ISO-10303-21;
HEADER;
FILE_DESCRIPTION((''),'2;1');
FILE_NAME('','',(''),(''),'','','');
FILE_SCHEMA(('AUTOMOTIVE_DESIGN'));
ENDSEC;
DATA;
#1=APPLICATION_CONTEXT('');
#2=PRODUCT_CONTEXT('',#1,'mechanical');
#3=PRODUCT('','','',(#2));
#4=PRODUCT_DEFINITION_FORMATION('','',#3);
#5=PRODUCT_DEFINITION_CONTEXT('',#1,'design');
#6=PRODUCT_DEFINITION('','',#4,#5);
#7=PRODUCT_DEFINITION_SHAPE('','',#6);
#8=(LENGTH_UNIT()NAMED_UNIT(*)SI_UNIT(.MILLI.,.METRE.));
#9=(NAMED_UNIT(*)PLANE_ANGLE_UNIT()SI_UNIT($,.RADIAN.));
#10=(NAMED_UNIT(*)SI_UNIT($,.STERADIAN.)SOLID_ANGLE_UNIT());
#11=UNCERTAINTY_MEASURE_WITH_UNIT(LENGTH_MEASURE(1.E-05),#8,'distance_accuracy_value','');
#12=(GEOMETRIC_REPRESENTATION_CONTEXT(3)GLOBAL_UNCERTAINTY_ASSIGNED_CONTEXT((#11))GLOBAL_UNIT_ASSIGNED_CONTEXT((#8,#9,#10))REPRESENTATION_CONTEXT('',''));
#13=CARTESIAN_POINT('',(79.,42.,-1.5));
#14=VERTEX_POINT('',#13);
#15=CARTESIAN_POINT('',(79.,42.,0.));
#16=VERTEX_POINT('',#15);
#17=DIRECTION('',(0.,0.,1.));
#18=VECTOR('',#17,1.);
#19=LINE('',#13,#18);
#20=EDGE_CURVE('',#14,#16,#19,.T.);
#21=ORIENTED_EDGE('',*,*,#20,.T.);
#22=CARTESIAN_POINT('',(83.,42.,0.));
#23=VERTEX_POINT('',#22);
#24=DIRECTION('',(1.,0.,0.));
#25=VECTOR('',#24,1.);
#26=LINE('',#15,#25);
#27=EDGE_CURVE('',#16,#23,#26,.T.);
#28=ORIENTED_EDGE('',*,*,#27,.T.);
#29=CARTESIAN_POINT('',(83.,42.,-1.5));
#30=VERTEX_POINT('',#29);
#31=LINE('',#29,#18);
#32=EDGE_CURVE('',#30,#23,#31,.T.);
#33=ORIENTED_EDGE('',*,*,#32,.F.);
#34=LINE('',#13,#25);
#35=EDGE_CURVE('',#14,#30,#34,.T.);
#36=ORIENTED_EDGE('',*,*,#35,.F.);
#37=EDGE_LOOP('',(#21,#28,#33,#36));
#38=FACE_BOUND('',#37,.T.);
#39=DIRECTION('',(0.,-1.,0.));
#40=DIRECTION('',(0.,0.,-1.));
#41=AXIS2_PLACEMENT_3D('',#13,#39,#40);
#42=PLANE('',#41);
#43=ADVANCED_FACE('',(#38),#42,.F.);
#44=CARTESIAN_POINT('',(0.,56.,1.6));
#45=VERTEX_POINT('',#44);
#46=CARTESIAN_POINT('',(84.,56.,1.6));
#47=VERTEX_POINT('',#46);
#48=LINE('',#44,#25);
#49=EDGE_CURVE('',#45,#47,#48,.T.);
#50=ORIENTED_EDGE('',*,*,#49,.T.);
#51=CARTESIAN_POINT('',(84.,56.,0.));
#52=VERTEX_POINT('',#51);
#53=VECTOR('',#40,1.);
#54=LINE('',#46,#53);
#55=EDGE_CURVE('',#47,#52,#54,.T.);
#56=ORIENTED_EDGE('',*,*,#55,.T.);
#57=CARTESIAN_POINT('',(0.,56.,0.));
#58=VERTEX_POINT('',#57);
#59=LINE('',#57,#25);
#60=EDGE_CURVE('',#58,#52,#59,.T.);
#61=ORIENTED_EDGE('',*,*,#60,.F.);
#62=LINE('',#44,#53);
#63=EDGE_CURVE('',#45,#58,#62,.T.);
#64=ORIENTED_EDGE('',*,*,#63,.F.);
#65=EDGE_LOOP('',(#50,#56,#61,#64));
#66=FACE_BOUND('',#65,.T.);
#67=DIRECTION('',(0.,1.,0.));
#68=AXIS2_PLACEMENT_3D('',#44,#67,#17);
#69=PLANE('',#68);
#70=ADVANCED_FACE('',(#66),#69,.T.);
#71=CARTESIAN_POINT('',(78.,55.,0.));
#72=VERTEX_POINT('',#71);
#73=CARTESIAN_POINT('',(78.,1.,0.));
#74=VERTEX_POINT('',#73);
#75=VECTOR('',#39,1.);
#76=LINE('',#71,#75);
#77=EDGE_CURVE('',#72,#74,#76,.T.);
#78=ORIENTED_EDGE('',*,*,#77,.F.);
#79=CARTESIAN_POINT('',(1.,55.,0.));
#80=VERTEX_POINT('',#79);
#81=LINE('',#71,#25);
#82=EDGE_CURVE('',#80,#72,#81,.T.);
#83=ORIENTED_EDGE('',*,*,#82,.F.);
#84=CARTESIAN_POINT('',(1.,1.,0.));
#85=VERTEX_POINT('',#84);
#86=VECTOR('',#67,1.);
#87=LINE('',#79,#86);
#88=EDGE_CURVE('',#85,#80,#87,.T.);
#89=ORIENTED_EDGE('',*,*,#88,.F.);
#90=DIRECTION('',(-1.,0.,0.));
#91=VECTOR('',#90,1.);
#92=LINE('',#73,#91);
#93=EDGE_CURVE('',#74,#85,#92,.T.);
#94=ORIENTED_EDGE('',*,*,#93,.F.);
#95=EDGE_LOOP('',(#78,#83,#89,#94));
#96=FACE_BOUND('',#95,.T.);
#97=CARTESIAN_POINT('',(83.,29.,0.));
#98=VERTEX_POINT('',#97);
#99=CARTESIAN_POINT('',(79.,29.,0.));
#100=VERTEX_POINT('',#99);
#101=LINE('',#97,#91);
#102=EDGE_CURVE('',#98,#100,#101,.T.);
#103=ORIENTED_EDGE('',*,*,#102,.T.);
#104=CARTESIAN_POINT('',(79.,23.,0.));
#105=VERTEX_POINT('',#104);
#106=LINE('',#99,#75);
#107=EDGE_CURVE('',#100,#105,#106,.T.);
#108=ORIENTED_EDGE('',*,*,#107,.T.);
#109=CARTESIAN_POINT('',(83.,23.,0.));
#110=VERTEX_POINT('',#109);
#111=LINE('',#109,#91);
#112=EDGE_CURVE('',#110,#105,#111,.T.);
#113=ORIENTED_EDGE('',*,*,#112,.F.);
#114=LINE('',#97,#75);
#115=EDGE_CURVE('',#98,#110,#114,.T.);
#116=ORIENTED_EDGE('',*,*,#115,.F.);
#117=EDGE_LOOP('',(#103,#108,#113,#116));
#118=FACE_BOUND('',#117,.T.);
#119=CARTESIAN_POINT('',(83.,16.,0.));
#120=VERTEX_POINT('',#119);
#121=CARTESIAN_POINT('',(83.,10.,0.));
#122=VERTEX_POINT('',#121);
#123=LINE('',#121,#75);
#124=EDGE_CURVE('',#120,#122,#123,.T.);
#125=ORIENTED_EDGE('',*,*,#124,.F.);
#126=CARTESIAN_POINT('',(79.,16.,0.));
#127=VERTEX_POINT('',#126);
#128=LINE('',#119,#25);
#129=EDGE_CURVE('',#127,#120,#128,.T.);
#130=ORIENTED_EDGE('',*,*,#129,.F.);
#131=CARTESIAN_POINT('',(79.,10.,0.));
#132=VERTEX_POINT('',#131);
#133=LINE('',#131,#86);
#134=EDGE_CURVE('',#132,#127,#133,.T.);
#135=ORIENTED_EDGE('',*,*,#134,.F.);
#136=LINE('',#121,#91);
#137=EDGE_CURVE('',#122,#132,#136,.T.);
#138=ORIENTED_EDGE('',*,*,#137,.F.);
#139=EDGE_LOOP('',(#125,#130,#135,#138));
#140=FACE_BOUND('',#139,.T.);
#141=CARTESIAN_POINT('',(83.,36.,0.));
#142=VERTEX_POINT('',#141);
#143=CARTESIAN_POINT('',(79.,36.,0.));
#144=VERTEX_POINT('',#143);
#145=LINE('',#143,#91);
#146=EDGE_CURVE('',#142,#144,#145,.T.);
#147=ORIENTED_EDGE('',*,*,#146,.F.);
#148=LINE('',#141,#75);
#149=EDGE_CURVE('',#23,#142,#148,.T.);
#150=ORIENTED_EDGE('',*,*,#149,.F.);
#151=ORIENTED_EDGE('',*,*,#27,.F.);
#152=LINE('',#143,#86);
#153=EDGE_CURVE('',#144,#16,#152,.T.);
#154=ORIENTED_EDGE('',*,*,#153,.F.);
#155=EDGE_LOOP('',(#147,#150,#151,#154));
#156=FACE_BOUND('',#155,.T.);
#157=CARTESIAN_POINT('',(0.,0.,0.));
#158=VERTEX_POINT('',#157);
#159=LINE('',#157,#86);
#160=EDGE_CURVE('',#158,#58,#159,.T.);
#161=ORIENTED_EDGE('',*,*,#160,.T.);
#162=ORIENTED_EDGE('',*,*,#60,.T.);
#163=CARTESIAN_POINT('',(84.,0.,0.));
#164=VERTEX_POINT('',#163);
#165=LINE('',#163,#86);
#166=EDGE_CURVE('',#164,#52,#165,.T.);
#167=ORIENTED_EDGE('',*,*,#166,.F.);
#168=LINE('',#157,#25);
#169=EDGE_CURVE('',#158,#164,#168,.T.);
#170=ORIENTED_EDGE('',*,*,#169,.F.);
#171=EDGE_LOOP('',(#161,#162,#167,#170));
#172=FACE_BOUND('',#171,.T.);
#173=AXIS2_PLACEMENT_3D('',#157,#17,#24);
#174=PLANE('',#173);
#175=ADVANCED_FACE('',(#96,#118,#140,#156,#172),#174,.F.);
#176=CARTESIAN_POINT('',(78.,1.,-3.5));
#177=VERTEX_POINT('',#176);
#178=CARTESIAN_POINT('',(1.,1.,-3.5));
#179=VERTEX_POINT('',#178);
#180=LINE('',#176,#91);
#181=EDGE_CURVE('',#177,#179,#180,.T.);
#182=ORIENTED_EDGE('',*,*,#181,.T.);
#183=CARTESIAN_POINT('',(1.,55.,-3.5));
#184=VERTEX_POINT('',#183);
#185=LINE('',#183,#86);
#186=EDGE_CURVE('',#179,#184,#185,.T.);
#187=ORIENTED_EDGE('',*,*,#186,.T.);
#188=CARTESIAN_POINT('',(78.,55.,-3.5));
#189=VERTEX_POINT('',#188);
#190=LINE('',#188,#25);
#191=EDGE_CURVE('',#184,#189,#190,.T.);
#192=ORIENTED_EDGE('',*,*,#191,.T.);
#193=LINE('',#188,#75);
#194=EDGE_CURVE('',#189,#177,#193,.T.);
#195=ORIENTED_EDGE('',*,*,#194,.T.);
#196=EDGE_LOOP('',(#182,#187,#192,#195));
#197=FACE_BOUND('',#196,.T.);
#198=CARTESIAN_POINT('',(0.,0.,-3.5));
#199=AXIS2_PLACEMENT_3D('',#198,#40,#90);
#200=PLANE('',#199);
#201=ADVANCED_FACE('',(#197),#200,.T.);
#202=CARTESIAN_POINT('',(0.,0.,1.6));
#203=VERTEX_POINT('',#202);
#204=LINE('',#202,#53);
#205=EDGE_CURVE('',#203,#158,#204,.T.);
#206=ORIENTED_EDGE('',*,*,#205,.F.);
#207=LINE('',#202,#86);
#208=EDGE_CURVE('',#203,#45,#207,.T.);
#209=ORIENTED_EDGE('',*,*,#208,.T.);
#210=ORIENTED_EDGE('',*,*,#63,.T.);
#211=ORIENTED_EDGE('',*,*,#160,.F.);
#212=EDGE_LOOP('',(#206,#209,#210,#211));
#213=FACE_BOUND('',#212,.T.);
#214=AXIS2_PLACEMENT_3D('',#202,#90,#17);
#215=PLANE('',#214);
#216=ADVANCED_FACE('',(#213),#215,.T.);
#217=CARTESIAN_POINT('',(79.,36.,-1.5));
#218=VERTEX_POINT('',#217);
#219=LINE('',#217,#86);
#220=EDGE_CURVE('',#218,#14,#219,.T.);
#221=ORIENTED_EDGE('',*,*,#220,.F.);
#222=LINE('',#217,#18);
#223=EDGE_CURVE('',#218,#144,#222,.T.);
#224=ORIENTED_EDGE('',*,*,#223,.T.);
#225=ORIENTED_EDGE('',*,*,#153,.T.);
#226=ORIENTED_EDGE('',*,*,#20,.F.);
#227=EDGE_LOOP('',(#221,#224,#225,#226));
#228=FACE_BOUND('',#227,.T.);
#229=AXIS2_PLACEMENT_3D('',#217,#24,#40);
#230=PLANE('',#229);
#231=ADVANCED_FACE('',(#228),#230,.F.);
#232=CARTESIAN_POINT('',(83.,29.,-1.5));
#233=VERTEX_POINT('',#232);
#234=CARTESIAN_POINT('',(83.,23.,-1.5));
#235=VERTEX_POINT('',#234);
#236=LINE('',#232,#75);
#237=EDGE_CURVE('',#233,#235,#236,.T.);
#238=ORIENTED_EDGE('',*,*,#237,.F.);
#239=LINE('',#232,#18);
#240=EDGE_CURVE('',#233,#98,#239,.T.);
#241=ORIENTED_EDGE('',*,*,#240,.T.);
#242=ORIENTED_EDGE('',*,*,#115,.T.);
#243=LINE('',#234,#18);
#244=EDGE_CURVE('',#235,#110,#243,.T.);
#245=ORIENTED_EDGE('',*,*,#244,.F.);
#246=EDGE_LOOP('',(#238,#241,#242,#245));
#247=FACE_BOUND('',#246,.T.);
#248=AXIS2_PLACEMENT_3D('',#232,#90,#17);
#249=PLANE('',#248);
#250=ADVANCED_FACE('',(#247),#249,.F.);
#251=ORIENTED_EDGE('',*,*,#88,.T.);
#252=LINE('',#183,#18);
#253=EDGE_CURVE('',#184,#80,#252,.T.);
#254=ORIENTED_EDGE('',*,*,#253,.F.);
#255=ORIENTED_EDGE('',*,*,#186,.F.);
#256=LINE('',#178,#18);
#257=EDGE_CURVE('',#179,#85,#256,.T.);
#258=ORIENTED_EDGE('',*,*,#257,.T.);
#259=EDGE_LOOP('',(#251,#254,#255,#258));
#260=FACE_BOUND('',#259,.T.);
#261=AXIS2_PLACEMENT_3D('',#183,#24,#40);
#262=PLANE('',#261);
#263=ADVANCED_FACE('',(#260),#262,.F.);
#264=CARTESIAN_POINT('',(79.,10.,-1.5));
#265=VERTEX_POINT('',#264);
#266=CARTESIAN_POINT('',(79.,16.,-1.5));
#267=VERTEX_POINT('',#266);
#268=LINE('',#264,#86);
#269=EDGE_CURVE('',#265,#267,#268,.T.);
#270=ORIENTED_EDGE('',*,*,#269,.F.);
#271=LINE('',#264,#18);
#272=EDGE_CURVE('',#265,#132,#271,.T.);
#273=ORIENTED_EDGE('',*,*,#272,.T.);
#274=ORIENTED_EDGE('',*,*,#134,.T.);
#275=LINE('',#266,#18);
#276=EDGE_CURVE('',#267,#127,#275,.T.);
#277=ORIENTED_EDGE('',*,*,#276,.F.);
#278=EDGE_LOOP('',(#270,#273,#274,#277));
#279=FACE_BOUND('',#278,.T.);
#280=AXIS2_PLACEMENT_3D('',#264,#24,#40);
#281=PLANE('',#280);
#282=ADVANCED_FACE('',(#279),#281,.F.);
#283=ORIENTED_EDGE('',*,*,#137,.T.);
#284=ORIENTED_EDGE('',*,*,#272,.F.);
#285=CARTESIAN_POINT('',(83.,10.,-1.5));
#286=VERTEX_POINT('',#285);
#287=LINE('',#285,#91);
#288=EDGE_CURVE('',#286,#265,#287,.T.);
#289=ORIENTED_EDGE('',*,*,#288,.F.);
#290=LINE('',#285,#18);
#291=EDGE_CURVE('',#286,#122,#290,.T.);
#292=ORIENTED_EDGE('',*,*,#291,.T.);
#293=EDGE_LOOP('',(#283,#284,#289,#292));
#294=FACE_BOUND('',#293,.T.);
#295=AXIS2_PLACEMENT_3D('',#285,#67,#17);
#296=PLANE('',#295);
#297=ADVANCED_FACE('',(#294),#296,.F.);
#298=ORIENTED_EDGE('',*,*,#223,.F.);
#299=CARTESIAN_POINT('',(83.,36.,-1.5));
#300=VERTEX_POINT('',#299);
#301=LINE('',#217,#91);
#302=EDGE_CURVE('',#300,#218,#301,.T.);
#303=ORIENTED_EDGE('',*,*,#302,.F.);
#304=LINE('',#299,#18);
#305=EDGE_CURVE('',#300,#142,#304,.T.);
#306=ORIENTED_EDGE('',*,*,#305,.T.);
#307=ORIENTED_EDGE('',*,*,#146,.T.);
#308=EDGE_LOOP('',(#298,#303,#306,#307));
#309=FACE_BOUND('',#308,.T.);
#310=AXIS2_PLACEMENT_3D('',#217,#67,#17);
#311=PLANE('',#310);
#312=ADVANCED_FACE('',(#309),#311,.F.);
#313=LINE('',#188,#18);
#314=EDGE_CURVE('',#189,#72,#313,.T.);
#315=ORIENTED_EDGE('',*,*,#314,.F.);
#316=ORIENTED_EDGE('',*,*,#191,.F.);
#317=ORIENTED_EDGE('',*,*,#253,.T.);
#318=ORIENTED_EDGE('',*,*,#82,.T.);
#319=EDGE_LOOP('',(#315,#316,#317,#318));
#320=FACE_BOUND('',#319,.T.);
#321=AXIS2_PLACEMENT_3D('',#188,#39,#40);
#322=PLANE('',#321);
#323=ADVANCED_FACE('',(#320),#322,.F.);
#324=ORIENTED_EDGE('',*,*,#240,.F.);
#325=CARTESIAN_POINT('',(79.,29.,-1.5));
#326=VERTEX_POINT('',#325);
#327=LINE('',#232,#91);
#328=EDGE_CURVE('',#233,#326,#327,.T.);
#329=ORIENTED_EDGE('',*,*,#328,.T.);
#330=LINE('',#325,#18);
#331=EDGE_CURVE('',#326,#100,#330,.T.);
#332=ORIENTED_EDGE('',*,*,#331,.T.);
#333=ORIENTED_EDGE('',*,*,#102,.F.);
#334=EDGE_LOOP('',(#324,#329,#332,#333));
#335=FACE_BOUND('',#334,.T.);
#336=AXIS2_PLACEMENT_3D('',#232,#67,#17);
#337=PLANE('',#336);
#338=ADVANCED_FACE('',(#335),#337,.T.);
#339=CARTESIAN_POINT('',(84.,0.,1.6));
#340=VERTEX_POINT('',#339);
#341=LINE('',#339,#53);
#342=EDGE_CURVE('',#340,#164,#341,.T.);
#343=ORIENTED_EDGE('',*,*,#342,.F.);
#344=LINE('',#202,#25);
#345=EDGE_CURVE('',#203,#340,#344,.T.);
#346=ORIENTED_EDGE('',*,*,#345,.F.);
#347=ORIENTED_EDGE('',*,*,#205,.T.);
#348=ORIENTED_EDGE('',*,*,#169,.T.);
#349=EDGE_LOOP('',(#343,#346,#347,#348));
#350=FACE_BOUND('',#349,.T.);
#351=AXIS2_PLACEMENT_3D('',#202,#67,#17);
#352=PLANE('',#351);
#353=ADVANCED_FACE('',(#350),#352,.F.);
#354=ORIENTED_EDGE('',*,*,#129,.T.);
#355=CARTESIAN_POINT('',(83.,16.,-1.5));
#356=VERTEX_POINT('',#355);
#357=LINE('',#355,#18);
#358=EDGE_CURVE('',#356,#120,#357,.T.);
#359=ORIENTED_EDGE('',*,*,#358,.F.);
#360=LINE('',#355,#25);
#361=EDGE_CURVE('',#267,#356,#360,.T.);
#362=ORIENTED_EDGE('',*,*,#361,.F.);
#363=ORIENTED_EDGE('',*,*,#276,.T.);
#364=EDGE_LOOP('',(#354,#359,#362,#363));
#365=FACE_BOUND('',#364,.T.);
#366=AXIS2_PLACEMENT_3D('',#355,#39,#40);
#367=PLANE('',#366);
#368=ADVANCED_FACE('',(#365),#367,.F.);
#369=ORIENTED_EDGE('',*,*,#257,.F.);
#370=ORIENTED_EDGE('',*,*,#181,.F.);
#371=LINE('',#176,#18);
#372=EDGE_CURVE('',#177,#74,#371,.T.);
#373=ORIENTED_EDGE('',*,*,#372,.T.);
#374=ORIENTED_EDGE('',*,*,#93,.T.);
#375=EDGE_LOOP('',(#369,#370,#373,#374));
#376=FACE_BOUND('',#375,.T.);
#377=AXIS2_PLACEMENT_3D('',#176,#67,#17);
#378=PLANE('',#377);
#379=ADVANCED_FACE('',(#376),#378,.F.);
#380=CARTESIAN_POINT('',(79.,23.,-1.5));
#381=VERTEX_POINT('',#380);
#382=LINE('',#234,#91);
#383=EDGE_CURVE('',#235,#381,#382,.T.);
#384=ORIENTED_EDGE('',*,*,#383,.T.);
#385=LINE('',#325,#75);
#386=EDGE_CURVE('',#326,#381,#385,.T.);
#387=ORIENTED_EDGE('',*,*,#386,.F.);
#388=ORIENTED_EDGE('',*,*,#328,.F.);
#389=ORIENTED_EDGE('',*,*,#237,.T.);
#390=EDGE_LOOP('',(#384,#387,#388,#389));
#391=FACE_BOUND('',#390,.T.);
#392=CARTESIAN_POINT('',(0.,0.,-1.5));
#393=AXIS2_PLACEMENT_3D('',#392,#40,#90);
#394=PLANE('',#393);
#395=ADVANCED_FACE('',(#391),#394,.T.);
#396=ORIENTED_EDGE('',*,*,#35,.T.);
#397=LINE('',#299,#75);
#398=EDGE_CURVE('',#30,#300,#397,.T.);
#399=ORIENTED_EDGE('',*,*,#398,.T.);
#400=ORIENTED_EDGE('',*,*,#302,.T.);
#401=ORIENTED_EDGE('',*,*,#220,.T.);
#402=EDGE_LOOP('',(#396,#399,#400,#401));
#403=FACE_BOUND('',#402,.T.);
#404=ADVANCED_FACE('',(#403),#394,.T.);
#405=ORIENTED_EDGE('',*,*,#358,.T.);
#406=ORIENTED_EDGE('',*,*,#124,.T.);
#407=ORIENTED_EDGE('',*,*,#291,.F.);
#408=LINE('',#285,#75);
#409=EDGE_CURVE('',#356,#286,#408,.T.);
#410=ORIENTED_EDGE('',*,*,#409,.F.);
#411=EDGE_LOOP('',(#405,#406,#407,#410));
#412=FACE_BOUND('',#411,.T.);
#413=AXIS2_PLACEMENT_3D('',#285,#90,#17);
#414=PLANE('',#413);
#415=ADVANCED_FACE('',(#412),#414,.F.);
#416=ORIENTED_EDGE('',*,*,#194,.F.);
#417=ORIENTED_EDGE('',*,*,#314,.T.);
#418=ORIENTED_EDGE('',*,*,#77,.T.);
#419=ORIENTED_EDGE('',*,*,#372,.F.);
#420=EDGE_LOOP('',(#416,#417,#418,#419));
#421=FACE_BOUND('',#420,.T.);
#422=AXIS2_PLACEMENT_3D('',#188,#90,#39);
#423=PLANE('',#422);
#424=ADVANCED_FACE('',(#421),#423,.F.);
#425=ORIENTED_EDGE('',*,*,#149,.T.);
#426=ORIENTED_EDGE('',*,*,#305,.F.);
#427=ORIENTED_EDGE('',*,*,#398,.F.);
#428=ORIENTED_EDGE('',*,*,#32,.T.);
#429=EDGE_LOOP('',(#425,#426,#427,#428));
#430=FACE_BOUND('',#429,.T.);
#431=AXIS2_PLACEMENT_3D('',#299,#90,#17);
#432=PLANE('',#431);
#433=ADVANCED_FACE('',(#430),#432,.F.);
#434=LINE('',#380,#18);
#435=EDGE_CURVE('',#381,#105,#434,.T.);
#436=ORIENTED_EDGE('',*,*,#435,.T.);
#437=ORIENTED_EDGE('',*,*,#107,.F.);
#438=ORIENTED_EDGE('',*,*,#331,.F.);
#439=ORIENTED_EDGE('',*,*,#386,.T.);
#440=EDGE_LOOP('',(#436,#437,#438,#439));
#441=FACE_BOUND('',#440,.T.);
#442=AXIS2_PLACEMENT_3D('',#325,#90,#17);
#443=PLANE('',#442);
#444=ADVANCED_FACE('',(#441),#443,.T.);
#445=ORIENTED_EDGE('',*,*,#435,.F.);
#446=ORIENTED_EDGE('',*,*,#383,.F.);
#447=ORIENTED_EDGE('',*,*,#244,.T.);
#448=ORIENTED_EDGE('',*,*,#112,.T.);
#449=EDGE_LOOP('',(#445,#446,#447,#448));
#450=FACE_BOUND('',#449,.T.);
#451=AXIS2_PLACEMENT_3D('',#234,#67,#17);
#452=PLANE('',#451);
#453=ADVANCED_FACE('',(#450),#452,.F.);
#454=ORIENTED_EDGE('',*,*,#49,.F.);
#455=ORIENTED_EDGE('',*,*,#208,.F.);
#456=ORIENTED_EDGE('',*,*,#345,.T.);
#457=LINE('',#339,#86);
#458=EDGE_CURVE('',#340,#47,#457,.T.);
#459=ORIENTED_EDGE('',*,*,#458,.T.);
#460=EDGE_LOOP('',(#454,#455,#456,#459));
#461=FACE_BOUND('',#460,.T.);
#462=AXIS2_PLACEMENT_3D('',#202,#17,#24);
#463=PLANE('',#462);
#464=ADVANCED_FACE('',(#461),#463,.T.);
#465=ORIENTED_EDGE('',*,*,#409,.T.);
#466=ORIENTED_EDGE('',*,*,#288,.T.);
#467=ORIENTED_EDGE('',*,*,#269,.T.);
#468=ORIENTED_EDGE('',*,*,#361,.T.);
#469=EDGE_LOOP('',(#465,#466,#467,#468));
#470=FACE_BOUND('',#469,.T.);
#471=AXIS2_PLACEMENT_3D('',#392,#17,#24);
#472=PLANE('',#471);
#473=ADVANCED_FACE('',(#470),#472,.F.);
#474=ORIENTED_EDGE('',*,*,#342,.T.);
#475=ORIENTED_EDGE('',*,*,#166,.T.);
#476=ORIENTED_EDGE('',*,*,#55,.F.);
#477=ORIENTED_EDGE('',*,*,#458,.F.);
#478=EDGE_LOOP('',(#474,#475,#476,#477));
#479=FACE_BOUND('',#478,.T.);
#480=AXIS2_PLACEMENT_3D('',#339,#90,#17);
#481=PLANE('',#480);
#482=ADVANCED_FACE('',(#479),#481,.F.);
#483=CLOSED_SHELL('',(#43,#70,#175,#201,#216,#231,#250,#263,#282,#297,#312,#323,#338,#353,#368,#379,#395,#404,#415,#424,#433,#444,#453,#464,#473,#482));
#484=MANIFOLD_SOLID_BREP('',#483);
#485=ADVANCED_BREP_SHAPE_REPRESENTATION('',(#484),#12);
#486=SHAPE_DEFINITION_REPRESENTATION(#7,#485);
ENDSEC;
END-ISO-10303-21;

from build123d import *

# Parameters (mm, degrees)
ESQUISSE5_W         = 84
ESQUISSE5_H         = 56
BOSS_EXTRU_6_DEPTH  = 1.6
ESQUISSE6_W         = 77
ESQUISSE6_H         = 54
BOSS_EXTRU_8_DEPTH  = 3.5
ESQUISSE8_W         = 4
ESQUISSE8_H         = 6
BOSS_EXTRU_10_DEPTH = 1.5
ESQUISSE7_W         = 4
ESQUISSE7_H         = 6
BOSS_EXTRU_11_DEPTH = 1.5
ESQUISSE11_W        = 4
ESQUISSE11_H        = 6
BOSS_EXTRU_12_DEPTH = 1.5


with BuildPart() as part:
    # Esquisse5 → Boss.-Extru.6 (new body)
    with BuildSketch(Plane.XY):
        with Locations((42, 28)):
            Rectangle(ESQUISSE5_W, ESQUISSE5_H)
    extrude(amount=BOSS_EXTRU_6_DEPTH)

    # Esquisse6 → Boss.-Extru.8 (add)
    with BuildSketch(Plane(origin=(0, 0, 0), x_dir=(-1, 0, 0), z_dir=(0, 0, -1))):
        with Locations((-39.5, 28)):
            Rectangle(ESQUISSE6_W, ESQUISSE6_H)
    extrude(amount=BOSS_EXTRU_8_DEPTH)

    # Esquisse8 → Boss.-Extru.10 (add)
    with BuildSketch(Plane(origin=(0, 0, 0), x_dir=(-1, 0, 0), z_dir=(0, 0, -1))):
        with Locations((-81, 26)):
            Rectangle(ESQUISSE8_W, ESQUISSE8_H)
    extrude(amount=BOSS_EXTRU_10_DEPTH)

    # Esquisse7 → Boss.-Extru.11 (add)
    with BuildSketch(Plane(origin=(0, 0, 0), x_dir=(-1, 0, 0), z_dir=(0, 0, -1))):
        with Locations((-81, 39)):
            Rectangle(ESQUISSE7_W, ESQUISSE7_H)
    extrude(amount=BOSS_EXTRU_11_DEPTH)

    # Esquisse11 → Boss.-Extru.12 (add)
    with BuildSketch(Plane(origin=(0, 0, 0), x_dir=(-1, 0, 0), z_dir=(0, 0, -1))):
        with Locations((-81, 13)):
            Rectangle(ESQUISSE11_W, ESQUISSE11_H)
    extrude(amount=BOSS_EXTRU_12_DEPTH)


solid = part.part
